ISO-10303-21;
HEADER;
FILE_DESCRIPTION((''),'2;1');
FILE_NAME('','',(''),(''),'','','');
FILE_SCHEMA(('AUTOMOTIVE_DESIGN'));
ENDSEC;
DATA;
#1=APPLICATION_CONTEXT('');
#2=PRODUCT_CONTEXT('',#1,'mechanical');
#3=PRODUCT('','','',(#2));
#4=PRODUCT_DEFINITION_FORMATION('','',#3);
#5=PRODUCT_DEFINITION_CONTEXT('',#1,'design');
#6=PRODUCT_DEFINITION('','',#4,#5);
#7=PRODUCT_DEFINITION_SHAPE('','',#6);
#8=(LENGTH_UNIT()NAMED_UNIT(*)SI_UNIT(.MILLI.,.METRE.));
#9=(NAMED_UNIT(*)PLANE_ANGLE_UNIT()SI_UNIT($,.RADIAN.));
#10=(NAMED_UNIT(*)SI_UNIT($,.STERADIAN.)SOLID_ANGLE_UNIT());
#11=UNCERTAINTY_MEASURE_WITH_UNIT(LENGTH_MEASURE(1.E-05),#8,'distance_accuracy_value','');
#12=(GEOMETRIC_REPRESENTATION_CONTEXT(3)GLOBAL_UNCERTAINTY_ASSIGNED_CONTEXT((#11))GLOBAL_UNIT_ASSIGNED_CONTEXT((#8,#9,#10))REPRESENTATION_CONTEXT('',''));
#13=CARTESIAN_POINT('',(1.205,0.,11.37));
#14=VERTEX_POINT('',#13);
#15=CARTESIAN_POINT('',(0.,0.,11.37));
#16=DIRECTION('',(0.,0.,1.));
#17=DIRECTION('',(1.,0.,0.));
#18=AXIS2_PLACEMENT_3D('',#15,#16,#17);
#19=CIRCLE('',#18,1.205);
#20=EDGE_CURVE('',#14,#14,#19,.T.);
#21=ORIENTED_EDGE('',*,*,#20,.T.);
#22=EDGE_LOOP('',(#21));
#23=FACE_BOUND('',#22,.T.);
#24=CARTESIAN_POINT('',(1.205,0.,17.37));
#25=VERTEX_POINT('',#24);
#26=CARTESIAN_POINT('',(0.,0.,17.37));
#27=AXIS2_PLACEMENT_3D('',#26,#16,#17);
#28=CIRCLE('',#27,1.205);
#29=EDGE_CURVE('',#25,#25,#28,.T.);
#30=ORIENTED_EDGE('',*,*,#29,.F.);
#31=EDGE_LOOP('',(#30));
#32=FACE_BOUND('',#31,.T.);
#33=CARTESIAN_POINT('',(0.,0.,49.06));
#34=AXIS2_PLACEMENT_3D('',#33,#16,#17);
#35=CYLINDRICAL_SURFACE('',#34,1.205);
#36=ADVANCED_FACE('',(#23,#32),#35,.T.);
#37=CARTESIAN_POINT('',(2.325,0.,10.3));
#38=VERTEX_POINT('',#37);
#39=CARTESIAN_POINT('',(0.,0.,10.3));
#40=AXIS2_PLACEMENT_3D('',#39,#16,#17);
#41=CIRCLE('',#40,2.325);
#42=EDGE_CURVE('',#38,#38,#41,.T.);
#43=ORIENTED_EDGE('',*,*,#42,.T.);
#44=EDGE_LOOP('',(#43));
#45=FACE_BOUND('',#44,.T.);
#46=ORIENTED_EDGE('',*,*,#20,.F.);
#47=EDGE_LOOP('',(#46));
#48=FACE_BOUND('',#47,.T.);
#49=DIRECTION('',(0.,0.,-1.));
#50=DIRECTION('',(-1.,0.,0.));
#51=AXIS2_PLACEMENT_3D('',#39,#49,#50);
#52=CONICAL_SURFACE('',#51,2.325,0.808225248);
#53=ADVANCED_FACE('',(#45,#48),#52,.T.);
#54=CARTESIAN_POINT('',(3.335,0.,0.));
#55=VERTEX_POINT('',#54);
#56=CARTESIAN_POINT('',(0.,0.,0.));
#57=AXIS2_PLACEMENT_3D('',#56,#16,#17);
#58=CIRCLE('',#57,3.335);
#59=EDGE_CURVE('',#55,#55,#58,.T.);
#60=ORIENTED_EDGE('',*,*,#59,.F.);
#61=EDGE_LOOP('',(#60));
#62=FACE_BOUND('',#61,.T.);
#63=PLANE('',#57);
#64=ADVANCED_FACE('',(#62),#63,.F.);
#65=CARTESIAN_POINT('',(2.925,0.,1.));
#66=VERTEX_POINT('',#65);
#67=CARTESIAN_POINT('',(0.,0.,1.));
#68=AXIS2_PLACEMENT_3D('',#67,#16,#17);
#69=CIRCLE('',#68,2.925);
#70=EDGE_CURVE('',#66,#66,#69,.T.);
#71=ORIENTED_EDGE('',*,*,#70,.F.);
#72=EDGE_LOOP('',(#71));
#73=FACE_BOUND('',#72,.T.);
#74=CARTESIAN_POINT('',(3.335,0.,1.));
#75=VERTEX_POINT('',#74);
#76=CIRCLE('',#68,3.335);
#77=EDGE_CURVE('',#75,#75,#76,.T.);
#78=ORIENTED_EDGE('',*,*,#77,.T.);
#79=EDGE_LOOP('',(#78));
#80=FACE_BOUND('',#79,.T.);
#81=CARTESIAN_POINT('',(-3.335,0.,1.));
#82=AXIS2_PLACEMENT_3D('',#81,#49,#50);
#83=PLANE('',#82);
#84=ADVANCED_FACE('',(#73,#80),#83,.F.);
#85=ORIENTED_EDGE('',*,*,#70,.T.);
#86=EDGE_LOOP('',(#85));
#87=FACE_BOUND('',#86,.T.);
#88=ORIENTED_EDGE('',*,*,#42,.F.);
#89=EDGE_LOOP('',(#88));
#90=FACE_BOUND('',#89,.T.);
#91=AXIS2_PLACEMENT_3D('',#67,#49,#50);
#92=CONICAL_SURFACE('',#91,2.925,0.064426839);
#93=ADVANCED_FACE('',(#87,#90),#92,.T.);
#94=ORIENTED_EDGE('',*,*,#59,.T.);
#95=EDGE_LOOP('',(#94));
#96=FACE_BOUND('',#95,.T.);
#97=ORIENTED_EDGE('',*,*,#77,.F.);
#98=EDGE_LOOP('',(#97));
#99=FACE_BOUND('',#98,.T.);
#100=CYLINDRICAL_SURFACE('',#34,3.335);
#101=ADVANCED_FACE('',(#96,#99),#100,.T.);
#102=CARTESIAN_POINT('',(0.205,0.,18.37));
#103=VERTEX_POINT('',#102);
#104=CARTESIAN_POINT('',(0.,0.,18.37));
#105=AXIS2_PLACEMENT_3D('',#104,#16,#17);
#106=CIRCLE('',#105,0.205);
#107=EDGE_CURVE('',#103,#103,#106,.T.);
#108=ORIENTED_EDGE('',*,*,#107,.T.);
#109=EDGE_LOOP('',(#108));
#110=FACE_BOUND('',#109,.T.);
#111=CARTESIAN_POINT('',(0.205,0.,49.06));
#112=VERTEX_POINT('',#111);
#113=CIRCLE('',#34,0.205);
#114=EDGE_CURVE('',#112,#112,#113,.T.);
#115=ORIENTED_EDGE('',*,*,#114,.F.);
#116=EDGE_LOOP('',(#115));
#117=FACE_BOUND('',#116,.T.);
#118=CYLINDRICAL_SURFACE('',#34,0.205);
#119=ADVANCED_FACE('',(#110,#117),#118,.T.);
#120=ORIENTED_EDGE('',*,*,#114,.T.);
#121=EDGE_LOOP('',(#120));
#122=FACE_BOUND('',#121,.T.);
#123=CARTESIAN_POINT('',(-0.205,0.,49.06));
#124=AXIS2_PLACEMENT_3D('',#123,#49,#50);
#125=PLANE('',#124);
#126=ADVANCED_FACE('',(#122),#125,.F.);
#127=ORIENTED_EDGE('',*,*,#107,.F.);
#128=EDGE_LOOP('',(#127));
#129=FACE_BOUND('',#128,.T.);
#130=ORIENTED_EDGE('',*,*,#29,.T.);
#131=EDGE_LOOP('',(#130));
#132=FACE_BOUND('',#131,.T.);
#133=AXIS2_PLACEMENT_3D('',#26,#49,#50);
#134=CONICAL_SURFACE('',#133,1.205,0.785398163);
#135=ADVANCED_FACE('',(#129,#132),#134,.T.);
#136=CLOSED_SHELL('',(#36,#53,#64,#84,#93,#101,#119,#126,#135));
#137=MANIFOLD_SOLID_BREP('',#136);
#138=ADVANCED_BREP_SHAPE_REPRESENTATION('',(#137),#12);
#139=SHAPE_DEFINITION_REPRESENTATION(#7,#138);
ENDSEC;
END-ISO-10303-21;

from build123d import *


with BuildPart() as part:
    # Sketch1 → Revolve1 (revolve)
    with BuildSketch(Plane(origin=(0, 0, 0), x_dir=(1, 0, 0), z_dir=(0, 1, 0))):
        Polygon((-3.335, 0), (-3.335, -1), (-2.925, -1), (-2.325, -10.3), (-1.205, -11.37), (-1.205, -17.37), (-0.205, -18.37), (-0.205, -49.06), (0, -49.06), (0, 0), align=None)
    revolve(axis=Axis((0, 0, 49.06), (0, 0, -1)))


solid = part.part
